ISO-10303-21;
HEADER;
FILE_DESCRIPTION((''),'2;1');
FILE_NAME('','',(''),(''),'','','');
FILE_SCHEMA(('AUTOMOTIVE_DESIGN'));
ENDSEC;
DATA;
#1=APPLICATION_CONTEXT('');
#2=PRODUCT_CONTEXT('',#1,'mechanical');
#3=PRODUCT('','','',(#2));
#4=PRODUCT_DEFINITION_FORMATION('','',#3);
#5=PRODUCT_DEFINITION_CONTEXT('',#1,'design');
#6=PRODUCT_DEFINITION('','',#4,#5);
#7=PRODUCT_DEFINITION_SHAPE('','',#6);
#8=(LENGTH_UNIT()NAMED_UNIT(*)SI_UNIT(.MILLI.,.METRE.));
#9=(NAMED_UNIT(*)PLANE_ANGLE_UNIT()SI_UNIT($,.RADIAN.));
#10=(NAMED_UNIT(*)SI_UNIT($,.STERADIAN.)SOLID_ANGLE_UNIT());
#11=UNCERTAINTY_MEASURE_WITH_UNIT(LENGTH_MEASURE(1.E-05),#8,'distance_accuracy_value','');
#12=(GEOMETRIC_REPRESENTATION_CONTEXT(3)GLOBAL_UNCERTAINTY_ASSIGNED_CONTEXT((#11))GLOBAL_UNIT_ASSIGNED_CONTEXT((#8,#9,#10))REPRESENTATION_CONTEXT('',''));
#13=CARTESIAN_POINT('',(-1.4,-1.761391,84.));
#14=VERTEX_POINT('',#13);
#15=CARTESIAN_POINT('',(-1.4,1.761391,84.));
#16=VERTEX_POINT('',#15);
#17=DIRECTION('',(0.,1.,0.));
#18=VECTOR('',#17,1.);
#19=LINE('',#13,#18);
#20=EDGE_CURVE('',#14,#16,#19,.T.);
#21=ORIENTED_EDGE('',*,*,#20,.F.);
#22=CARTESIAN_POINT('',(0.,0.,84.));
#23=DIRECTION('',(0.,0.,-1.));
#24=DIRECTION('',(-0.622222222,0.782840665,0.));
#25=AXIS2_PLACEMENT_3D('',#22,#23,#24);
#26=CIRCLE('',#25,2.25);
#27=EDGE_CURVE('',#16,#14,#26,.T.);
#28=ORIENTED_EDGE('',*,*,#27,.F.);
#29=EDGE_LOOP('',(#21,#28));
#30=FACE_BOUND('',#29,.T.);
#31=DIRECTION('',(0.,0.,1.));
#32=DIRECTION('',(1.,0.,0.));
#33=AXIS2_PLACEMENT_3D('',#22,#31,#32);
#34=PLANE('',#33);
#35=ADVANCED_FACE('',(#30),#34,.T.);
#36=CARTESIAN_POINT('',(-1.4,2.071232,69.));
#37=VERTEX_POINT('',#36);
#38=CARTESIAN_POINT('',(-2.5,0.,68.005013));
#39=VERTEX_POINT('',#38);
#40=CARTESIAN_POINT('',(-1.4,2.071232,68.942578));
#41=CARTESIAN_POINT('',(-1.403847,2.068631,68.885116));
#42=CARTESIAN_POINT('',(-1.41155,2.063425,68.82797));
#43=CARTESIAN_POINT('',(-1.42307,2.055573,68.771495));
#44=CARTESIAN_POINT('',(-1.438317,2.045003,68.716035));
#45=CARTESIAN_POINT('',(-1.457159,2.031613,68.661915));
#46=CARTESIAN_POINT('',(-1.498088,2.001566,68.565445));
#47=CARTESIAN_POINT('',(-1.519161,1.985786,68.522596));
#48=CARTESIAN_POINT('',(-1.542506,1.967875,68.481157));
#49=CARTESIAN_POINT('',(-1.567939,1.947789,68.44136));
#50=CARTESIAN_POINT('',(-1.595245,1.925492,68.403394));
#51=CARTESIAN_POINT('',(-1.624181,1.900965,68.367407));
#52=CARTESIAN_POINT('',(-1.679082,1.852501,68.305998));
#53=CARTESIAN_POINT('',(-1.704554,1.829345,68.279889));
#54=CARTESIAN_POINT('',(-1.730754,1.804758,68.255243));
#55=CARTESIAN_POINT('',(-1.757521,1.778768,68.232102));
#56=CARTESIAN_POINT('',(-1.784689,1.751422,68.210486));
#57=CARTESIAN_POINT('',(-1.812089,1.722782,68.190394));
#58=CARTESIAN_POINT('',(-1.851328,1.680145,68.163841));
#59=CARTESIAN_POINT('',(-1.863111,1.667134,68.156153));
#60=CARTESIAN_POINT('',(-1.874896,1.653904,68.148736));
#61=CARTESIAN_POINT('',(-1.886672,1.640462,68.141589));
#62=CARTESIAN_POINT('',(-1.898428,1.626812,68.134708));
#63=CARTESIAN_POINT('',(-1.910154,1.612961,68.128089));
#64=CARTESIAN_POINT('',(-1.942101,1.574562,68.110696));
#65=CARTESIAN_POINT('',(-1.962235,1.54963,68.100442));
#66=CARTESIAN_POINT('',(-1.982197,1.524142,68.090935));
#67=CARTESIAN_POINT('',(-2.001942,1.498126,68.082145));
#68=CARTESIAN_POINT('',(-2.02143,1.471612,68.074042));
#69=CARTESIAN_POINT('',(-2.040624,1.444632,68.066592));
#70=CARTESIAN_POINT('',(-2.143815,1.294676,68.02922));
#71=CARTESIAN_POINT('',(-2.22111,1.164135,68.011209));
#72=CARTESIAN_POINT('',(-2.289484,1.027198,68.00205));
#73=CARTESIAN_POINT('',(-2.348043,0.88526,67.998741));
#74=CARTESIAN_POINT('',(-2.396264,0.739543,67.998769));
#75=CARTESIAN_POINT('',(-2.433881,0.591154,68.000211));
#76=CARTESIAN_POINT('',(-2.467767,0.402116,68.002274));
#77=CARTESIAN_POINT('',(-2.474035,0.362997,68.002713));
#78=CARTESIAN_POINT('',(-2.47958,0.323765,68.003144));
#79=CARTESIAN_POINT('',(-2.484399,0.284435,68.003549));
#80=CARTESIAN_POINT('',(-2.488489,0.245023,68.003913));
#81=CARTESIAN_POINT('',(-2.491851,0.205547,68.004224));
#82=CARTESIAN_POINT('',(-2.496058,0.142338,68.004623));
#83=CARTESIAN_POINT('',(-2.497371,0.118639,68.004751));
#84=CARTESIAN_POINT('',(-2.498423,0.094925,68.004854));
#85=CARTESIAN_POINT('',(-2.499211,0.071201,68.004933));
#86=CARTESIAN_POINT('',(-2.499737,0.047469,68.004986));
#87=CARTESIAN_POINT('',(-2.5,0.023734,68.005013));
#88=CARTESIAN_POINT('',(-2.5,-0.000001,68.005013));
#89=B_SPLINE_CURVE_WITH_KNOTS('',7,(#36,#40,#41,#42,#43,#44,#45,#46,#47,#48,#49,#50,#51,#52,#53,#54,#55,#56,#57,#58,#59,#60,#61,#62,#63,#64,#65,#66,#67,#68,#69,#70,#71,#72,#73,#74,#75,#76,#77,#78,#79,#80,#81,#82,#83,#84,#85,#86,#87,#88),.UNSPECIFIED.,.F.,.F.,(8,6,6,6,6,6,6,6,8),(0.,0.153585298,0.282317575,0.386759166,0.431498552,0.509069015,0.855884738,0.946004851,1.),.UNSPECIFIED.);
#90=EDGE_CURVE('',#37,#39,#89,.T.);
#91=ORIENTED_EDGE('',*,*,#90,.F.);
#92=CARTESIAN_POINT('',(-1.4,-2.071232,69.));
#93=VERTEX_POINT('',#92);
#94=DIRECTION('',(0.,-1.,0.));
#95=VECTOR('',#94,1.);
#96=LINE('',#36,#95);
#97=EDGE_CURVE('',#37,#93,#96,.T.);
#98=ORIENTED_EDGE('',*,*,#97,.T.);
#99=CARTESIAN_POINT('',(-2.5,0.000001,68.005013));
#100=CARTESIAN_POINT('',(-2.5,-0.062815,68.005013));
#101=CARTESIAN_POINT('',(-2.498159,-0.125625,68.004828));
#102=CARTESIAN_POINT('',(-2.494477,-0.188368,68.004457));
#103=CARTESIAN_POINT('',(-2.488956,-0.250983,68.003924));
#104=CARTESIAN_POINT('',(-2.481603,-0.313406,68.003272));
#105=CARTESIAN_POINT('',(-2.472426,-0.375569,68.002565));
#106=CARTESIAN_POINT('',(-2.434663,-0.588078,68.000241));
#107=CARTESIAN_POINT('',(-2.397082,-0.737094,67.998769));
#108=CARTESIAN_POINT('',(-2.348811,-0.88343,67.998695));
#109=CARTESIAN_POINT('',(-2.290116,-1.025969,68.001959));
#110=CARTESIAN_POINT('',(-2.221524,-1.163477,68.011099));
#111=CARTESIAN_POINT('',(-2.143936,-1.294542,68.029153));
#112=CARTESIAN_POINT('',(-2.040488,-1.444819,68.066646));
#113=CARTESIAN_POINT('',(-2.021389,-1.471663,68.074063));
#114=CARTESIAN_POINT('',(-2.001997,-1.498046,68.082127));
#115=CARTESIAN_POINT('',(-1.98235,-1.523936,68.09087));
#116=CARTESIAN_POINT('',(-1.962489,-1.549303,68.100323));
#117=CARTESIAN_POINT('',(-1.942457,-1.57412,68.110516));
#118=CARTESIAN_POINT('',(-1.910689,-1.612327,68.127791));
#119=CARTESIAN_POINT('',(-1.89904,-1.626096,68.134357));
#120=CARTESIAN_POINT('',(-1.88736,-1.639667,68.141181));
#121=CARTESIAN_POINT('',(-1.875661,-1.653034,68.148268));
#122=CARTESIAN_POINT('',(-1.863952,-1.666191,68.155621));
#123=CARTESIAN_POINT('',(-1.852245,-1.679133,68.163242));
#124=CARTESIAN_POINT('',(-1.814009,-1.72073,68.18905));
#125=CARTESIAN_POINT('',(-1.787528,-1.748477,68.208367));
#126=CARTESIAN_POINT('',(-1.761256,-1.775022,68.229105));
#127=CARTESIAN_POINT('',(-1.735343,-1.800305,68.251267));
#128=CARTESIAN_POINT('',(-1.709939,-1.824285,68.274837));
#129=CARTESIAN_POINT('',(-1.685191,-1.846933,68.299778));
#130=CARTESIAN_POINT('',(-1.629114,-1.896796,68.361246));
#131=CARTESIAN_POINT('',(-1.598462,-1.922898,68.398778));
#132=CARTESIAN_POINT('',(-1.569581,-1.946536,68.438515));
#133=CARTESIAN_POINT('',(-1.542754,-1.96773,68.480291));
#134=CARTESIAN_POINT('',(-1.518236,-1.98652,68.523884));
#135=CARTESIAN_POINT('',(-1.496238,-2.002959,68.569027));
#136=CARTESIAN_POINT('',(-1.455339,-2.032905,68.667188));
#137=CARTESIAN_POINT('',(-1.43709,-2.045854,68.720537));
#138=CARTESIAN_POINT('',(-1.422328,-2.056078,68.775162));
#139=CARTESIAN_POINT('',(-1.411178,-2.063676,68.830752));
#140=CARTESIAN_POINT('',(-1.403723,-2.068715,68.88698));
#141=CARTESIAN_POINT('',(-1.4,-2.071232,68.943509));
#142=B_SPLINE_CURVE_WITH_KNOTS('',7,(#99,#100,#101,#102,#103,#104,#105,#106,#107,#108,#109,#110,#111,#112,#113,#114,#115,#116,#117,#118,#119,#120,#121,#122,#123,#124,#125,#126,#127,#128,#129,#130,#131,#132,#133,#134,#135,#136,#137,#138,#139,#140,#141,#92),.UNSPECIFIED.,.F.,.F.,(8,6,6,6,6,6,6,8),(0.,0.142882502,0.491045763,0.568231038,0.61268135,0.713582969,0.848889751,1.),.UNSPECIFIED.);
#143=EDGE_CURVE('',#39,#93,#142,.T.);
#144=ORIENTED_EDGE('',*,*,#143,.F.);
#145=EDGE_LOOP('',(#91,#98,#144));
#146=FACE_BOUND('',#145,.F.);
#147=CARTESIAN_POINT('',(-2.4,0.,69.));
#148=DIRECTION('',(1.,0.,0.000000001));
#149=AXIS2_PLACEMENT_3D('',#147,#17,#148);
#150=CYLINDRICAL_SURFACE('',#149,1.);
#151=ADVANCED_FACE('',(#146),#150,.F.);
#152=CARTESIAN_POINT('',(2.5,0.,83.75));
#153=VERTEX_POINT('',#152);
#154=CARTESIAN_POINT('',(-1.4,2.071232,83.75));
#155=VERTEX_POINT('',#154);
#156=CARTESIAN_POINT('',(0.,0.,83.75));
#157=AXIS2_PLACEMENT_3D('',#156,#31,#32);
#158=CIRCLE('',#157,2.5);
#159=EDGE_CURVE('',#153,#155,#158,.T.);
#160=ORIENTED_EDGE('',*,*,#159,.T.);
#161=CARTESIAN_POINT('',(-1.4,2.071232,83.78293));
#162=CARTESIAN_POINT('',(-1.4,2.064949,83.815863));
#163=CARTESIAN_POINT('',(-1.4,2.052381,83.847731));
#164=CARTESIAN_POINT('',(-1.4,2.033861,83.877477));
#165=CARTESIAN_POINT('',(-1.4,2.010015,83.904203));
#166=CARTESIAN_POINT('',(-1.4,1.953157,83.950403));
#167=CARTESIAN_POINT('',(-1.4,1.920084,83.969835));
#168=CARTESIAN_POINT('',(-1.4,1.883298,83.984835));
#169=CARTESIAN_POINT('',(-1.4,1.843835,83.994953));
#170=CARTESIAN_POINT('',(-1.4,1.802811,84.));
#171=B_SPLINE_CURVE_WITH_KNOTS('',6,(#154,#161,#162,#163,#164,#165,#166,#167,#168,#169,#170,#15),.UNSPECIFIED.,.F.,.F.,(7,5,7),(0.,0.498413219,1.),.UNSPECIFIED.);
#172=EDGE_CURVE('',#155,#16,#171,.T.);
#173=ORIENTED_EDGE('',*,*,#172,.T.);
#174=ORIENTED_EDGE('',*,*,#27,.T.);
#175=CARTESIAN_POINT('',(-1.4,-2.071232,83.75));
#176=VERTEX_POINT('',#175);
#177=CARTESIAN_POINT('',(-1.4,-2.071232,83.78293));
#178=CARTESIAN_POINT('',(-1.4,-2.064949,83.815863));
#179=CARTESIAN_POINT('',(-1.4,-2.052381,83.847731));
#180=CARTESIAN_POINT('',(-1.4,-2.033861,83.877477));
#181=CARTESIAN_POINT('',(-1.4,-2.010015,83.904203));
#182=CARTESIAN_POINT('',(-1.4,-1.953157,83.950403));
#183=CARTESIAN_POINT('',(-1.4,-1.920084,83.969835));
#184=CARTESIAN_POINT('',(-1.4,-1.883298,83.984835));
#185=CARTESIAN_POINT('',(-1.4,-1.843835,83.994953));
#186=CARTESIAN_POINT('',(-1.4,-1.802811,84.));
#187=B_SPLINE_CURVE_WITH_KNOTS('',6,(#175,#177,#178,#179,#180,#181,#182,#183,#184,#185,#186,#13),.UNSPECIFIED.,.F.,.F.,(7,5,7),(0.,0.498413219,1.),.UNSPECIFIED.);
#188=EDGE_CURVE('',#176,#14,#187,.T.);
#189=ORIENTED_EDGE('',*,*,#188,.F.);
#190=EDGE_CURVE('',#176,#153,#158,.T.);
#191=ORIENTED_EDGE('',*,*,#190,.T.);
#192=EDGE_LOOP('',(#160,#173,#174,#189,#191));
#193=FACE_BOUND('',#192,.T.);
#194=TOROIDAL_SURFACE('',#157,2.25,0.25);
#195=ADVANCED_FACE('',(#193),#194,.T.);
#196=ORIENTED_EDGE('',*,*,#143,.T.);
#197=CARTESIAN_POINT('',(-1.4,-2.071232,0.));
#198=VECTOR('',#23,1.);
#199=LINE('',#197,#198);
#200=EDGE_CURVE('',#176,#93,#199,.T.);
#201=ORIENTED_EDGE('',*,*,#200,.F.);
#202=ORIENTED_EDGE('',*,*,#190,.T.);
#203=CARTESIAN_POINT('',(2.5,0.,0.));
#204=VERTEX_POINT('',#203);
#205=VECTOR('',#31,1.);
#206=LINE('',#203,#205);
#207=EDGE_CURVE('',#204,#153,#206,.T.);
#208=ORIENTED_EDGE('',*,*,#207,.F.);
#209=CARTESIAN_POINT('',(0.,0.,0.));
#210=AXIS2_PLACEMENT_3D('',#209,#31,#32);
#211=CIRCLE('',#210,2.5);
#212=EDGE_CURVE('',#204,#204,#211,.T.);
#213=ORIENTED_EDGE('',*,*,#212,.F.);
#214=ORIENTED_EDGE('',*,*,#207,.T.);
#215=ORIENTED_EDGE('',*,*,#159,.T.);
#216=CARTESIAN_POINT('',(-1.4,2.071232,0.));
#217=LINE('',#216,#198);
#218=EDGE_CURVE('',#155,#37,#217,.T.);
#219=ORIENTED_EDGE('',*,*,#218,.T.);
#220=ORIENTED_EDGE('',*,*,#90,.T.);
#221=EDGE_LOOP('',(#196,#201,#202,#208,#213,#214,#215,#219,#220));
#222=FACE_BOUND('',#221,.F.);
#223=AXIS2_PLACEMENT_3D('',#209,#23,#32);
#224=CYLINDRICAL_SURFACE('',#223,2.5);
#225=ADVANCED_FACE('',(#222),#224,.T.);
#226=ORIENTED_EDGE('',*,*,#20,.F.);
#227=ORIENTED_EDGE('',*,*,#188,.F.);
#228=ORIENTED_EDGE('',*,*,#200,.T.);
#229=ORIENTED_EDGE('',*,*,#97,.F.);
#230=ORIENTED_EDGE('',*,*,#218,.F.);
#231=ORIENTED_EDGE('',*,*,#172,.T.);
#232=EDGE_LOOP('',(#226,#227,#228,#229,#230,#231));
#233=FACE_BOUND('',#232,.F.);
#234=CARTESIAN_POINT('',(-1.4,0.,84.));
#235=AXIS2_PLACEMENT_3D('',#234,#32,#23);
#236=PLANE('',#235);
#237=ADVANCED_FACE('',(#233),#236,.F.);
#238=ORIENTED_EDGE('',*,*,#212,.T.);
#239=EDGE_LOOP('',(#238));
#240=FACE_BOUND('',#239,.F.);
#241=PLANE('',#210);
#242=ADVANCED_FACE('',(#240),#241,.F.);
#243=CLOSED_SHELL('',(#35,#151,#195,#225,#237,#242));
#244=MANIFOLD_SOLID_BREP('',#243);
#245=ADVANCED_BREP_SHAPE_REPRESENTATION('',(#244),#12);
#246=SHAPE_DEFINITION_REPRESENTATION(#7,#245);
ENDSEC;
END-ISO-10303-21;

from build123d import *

# Parameters (mm, degrees)
SKETCH1_R               = 2.5
EXTRUDE1_DEPTH          = 84
FILLET1_R               = 0.25
CUT_EXTRUDE1_DEPTH      = 3
CUT_EXTRUDE1_DEPTH_BACK = 3


with BuildPart() as part:
    # Sketch1 → Extrude1 (new body)
    with BuildSketch(Plane.XY):
        Circle(SKETCH1_R)
    extrude(amount=EXTRUDE1_DEPTH)

    # Fillet1
    fillet1_edges = [part.edges().sort_by_distance(p)[0] for p in [
        (-2.5, 0, 84),
    ]]
    fillet(fillet1_edges, radius=FILLET1_R)

    # Sketch2 → Cut-Extrude1 (cut, two sides)
    with BuildSketch(Plane(origin=(0, 0, 0), x_dir=(1, 0, 0), z_dir=(0, 1, 0))) as cut_extrude1_sk:
        with BuildLine():
            Line((-1.4, -84), (-1.4, -69))
            ThreePointArc((-1.4, -69), (-1.806967498, -68.194821478), (-2.696624903, -68.045005934))
            Line((-2.696624903, -68.045005934), (-2.696624903, -84))
            Line((-2.696624903, -84), (-1.4, -84))
        make_face()
    extrude(amount=CUT_EXTRUDE1_DEPTH, mode=Mode.SUBTRACT)
    extrude(cut_extrude1_sk.sketch, amount=-CUT_EXTRUDE1_DEPTH_BACK, mode=Mode.SUBTRACT)


solid = part.part
